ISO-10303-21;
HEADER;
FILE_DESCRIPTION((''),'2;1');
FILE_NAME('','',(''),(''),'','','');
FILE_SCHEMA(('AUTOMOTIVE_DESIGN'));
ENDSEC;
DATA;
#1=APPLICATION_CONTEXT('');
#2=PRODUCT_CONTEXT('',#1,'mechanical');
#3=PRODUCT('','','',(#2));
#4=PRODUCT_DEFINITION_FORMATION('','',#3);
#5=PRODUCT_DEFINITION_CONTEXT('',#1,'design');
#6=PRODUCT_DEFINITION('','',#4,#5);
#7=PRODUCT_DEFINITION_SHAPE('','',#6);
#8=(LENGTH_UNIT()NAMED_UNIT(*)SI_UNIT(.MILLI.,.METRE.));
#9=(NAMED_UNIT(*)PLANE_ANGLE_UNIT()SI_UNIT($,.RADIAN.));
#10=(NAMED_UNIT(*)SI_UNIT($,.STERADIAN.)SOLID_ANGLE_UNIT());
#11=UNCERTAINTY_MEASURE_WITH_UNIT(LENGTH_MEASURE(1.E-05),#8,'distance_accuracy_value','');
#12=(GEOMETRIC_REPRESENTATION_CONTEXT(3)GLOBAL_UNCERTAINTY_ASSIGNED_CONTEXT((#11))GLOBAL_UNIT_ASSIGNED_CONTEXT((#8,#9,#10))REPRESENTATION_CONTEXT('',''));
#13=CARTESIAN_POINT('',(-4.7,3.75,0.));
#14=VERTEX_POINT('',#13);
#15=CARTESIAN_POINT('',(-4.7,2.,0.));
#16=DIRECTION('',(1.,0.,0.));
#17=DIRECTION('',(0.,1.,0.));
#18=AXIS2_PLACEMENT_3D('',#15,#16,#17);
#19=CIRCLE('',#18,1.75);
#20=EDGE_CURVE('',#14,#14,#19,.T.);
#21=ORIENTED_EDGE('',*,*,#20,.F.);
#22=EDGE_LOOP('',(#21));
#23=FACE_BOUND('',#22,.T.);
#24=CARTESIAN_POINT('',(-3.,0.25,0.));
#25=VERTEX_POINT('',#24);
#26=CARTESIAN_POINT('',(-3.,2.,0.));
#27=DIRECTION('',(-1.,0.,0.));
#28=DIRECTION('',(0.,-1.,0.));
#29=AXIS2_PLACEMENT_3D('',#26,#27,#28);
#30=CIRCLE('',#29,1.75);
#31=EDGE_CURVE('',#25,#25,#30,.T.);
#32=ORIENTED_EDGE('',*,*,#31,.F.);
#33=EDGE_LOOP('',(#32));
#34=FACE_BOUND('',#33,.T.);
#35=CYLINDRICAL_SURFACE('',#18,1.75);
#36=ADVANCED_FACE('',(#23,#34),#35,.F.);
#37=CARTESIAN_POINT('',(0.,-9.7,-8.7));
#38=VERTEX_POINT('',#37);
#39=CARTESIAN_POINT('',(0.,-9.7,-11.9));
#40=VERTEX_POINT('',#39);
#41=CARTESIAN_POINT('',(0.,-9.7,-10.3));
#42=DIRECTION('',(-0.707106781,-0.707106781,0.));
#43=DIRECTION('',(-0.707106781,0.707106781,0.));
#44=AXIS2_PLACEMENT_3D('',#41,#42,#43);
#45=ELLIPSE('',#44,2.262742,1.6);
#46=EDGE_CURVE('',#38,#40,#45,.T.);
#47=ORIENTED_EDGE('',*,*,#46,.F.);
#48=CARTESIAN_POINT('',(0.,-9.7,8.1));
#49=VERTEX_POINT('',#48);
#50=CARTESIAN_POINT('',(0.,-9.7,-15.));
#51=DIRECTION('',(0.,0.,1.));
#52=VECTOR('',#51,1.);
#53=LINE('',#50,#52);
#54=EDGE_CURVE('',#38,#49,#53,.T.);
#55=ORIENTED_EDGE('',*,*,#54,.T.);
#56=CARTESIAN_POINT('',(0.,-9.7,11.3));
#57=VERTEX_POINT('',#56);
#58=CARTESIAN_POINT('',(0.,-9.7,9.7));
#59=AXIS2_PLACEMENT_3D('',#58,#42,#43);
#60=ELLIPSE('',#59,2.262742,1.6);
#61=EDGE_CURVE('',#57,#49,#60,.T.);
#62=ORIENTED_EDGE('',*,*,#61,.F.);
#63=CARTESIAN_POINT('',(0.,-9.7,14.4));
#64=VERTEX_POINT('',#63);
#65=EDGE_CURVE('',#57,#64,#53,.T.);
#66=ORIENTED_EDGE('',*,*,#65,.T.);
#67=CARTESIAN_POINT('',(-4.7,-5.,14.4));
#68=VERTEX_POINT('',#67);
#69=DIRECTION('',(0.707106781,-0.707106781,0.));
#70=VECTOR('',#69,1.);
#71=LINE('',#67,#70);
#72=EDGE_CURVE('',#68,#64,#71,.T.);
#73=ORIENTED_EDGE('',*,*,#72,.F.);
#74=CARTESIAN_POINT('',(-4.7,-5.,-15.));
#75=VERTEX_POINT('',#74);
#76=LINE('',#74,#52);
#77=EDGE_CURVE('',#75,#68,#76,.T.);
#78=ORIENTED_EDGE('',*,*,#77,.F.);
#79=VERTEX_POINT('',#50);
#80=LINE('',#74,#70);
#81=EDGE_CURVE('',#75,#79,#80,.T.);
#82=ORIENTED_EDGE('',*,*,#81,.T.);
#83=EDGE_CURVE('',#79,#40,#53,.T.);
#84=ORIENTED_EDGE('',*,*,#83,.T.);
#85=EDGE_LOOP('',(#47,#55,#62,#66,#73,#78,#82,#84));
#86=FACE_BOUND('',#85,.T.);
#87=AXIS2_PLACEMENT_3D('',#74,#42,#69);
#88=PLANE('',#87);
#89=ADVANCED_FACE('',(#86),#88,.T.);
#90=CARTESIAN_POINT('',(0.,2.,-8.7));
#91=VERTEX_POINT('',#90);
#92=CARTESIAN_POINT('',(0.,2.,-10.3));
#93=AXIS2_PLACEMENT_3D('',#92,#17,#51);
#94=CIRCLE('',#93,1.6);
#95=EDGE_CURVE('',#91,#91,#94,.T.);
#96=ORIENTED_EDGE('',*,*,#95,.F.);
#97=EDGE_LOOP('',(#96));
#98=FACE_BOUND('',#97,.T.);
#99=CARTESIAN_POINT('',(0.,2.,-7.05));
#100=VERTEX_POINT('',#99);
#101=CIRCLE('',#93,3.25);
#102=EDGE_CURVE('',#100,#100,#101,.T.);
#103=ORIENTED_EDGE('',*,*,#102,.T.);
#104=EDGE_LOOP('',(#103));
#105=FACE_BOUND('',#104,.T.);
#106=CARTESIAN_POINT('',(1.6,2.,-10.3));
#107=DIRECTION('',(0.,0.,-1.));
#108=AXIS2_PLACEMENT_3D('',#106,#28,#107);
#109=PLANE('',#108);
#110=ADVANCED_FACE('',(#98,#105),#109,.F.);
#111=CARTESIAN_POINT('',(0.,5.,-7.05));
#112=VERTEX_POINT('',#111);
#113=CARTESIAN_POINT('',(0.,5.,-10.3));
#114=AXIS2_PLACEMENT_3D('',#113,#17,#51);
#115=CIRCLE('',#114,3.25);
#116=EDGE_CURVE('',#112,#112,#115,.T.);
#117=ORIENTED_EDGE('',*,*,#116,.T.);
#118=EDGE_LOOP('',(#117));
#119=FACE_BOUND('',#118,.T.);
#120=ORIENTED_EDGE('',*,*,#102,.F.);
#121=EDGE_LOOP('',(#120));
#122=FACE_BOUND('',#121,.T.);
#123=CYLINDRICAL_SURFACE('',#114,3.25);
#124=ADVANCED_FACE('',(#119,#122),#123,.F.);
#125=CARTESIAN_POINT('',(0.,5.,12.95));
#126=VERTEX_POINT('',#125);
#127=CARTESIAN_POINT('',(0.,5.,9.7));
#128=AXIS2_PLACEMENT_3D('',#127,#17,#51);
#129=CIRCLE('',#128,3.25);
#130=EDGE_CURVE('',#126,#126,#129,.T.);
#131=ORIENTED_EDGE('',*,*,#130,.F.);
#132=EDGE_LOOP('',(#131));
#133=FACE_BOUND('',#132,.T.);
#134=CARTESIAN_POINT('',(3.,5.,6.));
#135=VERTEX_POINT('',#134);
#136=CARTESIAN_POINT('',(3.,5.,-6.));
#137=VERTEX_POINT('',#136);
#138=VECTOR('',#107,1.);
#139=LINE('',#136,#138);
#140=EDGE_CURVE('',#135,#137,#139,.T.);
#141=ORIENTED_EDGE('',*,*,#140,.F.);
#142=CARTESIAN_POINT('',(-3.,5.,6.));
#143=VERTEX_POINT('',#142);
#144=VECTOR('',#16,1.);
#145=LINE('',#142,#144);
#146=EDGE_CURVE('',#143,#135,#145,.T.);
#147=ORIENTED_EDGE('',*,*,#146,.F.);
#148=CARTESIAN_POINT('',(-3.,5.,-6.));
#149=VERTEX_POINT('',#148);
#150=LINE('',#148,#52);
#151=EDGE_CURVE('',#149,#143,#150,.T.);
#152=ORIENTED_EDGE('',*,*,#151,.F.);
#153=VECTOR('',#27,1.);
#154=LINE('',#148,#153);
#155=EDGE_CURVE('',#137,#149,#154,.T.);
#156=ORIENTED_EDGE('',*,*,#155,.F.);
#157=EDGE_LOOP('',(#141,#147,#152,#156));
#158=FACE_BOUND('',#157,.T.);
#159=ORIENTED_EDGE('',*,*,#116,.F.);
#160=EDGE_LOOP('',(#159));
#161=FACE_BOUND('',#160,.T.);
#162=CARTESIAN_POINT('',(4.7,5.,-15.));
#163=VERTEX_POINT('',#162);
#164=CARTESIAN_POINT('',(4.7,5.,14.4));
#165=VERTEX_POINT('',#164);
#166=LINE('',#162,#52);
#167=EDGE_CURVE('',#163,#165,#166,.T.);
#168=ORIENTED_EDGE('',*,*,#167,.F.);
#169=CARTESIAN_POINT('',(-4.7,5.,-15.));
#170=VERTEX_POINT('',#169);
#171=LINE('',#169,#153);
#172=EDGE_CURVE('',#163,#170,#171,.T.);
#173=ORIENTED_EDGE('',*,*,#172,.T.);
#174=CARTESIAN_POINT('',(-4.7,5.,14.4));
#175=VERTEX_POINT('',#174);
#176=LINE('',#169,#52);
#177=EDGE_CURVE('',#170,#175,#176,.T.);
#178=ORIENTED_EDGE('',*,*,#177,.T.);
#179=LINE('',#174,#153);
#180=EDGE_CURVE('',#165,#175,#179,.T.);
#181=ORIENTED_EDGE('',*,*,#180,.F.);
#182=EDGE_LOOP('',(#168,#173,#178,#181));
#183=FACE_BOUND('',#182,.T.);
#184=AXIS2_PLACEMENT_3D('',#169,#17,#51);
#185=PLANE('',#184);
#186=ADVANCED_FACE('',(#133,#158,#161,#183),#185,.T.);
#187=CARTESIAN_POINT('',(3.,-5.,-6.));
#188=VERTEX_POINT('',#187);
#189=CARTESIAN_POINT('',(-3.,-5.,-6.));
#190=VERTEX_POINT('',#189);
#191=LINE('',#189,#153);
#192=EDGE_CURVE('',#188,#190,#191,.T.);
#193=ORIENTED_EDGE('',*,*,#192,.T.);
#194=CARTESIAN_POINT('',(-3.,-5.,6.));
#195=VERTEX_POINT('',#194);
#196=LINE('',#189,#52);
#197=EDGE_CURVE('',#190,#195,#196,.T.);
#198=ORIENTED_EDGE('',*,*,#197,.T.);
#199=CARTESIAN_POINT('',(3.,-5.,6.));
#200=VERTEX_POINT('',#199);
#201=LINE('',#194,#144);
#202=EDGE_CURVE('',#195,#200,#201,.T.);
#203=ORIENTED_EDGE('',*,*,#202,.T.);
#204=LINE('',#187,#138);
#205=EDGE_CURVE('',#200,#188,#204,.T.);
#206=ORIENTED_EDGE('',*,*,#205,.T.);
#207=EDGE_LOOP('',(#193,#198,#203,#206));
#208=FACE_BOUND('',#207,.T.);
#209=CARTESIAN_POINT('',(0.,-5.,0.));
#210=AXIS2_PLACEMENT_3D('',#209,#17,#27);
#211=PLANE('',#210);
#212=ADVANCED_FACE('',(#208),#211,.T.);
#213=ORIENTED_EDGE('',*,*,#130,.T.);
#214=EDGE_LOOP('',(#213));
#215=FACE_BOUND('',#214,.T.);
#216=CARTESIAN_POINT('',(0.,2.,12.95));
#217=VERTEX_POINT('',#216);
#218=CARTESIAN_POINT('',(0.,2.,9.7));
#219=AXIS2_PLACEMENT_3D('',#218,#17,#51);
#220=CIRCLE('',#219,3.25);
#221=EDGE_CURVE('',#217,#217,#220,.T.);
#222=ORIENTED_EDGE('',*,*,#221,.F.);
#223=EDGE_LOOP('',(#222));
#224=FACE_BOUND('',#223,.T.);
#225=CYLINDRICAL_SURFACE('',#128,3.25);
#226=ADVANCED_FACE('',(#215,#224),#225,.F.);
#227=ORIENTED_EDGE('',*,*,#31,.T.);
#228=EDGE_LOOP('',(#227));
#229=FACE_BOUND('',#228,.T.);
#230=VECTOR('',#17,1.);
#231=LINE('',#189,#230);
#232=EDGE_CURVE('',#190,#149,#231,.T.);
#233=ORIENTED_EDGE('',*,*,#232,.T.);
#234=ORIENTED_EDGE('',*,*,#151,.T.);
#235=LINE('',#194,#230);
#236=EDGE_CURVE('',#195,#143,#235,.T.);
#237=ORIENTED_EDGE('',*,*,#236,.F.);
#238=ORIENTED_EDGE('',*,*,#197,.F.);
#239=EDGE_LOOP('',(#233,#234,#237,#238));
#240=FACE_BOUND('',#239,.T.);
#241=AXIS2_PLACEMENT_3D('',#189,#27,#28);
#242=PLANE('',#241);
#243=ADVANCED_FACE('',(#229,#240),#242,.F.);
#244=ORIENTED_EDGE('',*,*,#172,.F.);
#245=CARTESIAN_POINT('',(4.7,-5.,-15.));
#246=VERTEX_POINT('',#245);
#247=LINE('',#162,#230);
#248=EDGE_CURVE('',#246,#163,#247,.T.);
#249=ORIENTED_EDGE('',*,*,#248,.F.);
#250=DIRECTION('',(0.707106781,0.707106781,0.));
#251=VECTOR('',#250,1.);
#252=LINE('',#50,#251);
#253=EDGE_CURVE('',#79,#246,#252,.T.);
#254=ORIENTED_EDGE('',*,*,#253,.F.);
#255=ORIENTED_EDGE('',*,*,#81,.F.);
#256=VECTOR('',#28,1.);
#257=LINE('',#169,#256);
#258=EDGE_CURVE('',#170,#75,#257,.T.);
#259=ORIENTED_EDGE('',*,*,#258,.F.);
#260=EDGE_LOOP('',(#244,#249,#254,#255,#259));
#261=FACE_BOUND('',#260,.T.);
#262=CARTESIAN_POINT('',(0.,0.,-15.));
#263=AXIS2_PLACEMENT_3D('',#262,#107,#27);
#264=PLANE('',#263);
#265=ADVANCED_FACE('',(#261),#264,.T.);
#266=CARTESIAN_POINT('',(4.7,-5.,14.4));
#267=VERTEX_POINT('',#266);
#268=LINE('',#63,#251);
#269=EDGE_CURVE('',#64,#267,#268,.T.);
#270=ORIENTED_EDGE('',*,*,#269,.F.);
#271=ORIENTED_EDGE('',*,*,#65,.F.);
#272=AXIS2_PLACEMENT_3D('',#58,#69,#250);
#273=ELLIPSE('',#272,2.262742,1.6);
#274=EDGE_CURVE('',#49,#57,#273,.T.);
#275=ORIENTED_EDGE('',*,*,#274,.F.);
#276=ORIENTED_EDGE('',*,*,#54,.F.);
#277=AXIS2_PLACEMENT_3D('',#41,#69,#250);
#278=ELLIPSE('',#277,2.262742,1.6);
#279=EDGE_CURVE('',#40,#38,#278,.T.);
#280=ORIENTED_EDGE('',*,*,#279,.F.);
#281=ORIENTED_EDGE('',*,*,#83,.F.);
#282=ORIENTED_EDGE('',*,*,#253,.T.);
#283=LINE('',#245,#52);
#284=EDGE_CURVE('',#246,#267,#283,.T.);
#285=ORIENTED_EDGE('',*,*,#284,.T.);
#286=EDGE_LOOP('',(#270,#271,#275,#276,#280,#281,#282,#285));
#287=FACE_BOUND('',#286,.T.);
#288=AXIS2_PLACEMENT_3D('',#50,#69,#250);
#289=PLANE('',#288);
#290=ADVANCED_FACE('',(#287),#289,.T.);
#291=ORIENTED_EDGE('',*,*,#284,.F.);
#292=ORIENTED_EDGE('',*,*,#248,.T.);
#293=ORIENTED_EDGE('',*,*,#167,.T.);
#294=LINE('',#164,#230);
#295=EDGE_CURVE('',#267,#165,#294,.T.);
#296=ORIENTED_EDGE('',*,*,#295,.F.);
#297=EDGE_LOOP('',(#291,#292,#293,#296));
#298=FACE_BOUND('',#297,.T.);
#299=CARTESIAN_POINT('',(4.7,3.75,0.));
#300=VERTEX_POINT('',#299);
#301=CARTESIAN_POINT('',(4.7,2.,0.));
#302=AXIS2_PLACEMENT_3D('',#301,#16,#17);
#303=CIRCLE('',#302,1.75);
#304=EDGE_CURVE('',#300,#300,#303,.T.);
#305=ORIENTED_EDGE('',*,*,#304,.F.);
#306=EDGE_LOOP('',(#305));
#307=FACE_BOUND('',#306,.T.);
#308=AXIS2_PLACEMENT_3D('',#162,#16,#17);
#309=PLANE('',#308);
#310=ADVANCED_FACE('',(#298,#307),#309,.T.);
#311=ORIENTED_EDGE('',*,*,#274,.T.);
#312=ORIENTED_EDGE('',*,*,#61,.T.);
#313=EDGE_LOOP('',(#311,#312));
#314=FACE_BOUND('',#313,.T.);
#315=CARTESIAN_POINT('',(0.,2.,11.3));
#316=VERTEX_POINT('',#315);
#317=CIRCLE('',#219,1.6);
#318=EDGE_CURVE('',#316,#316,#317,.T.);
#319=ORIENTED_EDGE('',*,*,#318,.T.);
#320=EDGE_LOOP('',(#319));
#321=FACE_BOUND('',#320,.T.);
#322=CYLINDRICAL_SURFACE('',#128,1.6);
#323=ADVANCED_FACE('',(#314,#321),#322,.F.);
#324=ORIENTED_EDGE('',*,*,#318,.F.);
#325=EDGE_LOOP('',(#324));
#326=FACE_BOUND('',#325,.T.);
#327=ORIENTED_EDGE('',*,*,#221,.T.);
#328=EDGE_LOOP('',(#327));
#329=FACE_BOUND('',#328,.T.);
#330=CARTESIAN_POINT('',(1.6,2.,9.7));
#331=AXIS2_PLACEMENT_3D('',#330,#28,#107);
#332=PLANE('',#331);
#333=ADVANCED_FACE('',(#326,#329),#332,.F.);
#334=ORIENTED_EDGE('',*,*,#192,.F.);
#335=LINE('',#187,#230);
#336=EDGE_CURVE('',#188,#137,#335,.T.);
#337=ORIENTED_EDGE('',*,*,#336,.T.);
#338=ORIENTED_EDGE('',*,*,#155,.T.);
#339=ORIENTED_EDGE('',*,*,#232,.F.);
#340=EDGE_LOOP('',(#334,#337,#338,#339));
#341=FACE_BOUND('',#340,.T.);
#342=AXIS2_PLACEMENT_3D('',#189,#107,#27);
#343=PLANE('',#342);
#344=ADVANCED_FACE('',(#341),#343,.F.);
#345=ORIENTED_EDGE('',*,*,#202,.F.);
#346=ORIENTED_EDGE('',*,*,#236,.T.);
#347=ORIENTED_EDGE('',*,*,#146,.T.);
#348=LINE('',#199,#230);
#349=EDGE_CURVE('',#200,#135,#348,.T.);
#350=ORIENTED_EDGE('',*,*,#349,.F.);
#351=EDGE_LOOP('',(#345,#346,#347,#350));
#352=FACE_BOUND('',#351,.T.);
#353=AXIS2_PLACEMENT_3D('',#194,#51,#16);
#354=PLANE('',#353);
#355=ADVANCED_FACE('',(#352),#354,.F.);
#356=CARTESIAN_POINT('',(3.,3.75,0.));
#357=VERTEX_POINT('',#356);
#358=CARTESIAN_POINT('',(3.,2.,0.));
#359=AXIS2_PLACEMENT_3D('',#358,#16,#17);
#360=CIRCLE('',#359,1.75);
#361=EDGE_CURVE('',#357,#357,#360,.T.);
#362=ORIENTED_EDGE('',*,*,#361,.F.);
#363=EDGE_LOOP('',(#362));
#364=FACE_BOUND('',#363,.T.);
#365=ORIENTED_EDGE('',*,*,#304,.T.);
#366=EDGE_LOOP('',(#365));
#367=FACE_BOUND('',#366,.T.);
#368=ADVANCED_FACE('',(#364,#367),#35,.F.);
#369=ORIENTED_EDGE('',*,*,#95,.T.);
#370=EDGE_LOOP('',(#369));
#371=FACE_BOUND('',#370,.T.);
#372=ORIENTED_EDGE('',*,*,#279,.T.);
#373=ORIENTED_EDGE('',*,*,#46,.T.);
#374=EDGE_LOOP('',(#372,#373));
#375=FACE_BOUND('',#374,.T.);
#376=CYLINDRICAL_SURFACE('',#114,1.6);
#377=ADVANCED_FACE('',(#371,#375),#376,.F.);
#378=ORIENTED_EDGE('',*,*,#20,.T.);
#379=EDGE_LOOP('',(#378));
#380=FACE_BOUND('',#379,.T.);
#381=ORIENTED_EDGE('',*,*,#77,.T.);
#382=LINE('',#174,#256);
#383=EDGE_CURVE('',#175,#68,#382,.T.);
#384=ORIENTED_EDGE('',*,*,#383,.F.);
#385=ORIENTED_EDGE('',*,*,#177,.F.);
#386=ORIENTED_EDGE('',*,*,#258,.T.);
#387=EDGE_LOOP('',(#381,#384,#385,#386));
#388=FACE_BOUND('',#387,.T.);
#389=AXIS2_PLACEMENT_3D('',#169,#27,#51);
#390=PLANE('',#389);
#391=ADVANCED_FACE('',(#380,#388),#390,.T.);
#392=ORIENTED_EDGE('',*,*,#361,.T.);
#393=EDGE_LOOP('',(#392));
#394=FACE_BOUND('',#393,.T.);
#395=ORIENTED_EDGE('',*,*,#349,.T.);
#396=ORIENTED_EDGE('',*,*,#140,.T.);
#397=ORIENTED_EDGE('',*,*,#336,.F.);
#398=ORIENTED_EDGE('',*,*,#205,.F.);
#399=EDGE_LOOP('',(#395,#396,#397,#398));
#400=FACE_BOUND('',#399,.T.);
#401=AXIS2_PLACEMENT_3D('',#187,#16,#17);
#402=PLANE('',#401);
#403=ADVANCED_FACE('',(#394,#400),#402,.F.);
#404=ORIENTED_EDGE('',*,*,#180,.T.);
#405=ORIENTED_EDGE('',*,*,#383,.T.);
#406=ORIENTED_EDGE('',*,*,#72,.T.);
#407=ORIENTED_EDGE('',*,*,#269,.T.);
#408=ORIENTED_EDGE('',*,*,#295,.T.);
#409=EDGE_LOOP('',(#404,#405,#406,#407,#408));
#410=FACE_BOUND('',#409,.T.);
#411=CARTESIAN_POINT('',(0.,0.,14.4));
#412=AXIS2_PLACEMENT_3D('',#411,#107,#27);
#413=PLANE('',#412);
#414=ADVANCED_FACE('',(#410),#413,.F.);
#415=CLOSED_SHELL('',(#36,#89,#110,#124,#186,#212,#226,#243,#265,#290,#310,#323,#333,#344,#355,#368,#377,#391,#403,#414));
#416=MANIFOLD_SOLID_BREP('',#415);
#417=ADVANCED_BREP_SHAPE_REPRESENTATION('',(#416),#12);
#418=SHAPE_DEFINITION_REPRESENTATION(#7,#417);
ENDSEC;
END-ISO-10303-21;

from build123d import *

# Parameters (mm, degrees)
BOSS_EXTRUDE1_DEPTH            = 14.4
BOSS_EXTRUDE1_DEPTH_BACK       = 15
SKETCH2_W                      = 6
SKETCH2_H                      = 12
CUT_EXTRUDE1_DEPTH             = 10
SKETCH3_R                      = 1.75
CUT_EXTRUDE2_DEPTH             = 21.185390757
CBORE_FOR_M3_SHCS1_D           = 3.2
CBORE_FOR_M3_SHCS1_CBORE_D     = 6.5
CBORE_FOR_M3_SHCS1_CBORE_DEPTH = 3


with BuildPart() as part:
    # Sketch1 → Boss-Extrude1 (new, two sides: drawn at the far end of the back side and taken through both)
    with BuildSketch(Plane.XY.offset(-BOSS_EXTRUDE1_DEPTH_BACK)):
        Polygon((-4.7, 5), (4.7, 5), (4.7, -5), (0, -9.7), (-4.7, -5), align=None)
    extrude(amount=BOSS_EXTRUDE1_DEPTH + BOSS_EXTRUDE1_DEPTH_BACK)

    # Sketch2 → Cut-Extrude1 (cut)
    with BuildSketch(Plane(origin=(0, 5, 0), x_dir=(1, 0, 0), z_dir=(0, 1, 0))):
        Rectangle(SKETCH2_W, SKETCH2_H)
    extrude(amount=-CUT_EXTRUDE1_DEPTH, mode=Mode.SUBTRACT)

    # Sketch3 → Cut-Extrude2 (cut, through all)
    with BuildSketch(Plane(origin=(4.7, 0, 0), x_dir=(0, 0, -1), z_dir=(1, 0, 0))):
        with Locations(Location((0, 2, 0), (0, 0, 90))):
            Circle(SKETCH3_R)
    extrude(amount=-CUT_EXTRUDE2_DEPTH, mode=Mode.SUBTRACT)

    # CBORE for M3 SHCS1 (through all)
    with Locations(Plane(origin=(0, 5, 0), x_dir=(1, 0, 0), z_dir=(0, 1, 0))):
        with Locations((0, -9.7), (0, 10.3)):
            CounterBoreHole(CBORE_FOR_M3_SHCS1_D / 2, CBORE_FOR_M3_SHCS1_CBORE_D / 2, CBORE_FOR_M3_SHCS1_CBORE_DEPTH)


solid = part.part
